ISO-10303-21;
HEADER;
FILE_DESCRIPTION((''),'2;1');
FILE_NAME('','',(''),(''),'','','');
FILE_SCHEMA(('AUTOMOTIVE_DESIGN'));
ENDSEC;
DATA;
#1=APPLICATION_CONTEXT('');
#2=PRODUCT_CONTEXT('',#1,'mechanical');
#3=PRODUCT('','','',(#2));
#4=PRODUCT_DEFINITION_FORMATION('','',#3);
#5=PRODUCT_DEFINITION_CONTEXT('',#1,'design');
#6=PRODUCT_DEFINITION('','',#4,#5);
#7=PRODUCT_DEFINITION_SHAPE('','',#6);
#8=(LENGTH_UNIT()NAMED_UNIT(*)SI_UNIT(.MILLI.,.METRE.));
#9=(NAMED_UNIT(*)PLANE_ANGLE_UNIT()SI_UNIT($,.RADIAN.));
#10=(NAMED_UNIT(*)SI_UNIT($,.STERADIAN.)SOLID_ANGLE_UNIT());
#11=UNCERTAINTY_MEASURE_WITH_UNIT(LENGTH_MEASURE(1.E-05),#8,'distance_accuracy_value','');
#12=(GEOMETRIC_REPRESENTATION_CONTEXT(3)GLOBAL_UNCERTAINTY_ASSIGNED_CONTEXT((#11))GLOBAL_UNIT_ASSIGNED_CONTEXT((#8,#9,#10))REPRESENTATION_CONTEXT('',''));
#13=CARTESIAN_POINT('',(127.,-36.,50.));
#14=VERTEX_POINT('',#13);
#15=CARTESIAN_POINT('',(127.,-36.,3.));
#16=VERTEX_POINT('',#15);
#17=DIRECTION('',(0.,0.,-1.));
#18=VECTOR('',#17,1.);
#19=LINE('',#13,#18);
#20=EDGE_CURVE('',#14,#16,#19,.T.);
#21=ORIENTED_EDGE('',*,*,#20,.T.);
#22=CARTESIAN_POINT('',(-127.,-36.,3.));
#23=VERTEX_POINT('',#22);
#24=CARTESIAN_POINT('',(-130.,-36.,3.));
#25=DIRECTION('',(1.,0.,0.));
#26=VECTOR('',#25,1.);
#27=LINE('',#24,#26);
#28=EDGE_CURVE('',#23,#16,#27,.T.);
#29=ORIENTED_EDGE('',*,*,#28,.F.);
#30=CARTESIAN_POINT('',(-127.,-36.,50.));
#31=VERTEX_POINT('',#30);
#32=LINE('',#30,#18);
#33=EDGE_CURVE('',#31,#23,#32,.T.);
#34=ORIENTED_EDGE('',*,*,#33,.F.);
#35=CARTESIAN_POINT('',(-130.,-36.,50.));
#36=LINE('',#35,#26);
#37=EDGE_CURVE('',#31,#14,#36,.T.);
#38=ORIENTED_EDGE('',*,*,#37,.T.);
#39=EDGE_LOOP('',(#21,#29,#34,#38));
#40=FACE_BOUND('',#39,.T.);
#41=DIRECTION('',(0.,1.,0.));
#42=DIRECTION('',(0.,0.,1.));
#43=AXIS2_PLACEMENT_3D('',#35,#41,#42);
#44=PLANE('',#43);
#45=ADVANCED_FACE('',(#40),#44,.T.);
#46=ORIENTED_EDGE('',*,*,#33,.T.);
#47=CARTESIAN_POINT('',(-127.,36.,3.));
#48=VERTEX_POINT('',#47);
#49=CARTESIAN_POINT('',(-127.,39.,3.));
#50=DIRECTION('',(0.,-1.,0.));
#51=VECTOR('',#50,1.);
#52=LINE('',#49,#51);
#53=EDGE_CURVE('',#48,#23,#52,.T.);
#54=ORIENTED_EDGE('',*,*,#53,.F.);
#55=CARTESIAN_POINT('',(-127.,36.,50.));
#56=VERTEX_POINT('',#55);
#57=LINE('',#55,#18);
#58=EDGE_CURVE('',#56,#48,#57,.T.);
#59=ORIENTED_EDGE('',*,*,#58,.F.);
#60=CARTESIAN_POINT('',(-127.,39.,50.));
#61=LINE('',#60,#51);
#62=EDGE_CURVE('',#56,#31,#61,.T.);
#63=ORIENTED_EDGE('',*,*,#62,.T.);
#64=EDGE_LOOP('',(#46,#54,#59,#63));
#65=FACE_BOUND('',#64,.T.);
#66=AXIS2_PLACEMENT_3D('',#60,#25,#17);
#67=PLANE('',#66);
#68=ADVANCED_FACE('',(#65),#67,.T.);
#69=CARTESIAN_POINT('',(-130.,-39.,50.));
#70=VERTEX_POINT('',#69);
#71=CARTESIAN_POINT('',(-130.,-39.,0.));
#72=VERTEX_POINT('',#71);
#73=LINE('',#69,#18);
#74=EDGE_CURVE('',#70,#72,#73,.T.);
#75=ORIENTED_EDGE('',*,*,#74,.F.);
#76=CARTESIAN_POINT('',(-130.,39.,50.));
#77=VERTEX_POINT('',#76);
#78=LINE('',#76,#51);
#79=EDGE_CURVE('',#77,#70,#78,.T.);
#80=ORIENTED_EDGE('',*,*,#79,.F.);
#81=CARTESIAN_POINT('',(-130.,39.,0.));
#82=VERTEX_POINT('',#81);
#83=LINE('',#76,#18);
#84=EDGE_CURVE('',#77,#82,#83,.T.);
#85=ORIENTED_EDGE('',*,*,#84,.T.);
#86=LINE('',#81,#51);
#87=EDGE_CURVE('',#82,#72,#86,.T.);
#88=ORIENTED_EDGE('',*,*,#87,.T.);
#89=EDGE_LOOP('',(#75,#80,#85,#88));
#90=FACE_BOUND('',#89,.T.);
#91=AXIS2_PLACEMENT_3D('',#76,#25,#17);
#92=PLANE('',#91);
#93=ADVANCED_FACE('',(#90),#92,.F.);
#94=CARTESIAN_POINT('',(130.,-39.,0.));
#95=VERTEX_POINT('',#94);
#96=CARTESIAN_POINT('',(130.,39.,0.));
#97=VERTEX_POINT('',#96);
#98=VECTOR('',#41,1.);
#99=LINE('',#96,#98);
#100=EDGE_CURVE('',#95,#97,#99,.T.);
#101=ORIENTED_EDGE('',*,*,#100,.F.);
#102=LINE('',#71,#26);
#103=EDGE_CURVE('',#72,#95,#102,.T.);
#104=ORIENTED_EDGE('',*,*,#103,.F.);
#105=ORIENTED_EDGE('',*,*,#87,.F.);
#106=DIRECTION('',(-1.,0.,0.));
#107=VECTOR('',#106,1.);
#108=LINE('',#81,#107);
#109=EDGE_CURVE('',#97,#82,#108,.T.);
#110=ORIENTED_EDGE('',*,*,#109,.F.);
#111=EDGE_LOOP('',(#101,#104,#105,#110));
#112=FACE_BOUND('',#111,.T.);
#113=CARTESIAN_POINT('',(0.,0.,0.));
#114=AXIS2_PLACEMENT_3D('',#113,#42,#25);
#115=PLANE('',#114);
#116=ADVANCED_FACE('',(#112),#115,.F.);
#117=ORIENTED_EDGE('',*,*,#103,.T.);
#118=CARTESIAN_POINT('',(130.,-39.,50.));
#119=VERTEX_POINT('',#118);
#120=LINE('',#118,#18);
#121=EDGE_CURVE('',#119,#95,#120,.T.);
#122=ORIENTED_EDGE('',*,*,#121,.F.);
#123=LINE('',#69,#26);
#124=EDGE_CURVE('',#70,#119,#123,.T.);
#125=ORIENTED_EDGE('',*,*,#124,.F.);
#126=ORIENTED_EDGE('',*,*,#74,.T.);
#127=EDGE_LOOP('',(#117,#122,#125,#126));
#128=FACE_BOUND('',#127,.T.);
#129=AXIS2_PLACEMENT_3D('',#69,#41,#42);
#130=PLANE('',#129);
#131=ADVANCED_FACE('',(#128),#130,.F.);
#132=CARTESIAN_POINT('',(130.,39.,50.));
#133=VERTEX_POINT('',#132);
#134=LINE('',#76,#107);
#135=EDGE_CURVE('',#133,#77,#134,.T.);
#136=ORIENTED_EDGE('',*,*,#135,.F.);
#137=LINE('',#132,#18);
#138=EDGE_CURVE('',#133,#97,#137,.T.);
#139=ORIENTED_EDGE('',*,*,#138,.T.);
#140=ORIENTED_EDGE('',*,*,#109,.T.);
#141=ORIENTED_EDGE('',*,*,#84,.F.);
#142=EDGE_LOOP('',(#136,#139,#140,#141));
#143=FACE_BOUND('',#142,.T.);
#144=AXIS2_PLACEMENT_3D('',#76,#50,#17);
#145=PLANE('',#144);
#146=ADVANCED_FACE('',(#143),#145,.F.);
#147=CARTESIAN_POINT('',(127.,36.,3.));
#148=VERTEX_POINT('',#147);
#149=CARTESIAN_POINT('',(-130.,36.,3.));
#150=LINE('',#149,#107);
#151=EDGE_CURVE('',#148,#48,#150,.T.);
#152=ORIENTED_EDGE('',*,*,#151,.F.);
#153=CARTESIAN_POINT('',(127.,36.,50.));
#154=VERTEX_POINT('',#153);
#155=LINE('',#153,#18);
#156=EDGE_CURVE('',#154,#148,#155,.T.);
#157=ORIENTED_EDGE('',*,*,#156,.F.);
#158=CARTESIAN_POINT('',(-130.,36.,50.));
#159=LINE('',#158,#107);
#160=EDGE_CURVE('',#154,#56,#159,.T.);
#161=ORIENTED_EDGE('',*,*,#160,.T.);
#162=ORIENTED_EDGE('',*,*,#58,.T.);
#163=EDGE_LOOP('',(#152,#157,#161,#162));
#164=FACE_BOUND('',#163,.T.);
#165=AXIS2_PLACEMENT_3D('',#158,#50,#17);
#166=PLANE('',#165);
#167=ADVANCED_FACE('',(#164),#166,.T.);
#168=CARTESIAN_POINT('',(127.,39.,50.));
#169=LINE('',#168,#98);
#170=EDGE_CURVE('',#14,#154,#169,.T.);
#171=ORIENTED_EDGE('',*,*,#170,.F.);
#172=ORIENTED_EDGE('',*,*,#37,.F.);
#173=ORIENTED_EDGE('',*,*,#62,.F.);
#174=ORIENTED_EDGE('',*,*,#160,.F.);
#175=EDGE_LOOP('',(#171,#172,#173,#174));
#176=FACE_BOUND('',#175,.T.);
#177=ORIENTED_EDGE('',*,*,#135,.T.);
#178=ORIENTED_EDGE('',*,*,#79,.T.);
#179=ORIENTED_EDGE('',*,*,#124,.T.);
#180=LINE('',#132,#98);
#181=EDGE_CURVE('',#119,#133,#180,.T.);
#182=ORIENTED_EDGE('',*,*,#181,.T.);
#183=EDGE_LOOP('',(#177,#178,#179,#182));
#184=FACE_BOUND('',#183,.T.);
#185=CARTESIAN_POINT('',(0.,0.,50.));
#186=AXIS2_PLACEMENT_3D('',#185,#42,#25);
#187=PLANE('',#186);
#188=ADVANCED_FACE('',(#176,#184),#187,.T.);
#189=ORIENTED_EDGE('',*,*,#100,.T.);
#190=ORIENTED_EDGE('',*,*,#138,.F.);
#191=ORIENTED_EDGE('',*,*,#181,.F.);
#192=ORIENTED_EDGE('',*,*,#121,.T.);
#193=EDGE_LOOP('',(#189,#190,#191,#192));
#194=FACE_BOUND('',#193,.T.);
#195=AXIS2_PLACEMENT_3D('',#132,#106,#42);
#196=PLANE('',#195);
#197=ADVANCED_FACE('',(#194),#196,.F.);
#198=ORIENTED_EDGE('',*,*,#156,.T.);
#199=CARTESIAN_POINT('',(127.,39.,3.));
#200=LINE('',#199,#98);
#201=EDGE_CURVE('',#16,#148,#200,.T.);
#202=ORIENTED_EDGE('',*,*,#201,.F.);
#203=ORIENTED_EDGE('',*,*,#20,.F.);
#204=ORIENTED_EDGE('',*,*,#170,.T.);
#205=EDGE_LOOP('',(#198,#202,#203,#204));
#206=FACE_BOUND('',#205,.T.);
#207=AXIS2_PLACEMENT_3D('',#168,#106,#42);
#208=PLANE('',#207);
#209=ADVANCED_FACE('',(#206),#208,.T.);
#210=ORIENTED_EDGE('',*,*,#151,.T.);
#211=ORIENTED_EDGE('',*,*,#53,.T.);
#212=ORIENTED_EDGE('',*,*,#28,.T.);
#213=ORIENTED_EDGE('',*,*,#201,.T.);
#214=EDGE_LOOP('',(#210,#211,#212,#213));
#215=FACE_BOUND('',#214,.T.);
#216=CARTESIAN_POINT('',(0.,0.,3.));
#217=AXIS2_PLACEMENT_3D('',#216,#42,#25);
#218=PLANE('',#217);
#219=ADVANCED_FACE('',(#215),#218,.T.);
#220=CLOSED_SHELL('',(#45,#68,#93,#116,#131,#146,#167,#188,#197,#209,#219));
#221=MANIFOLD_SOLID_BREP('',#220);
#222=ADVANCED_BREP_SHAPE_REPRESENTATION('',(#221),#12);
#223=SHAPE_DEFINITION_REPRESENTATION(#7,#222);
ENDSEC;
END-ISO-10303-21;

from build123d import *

# Parameters (mm, degrees)
SKETCH_1_W      = 260
SKETCH_1_H      = 78
EXTRUDE_1_DEPTH = 50
SHELL_1_T       = -3


with BuildPart() as part:
    # 草图1 → 凸台-拉伸1 (new body)
    with BuildSketch(Plane.XY):
        Rectangle(SKETCH_1_W, SKETCH_1_H)
    extrude(amount=EXTRUDE_1_DEPTH)

    # 抽壳1
    shell_1_openings = [part.faces().sort_by_distance(p)[0] for p in [
        (0, 0, 50),
    ]]
    offset(amount=SHELL_1_T, openings=shell_1_openings, kind=Kind.INTERSECTION)


solid = part.part
